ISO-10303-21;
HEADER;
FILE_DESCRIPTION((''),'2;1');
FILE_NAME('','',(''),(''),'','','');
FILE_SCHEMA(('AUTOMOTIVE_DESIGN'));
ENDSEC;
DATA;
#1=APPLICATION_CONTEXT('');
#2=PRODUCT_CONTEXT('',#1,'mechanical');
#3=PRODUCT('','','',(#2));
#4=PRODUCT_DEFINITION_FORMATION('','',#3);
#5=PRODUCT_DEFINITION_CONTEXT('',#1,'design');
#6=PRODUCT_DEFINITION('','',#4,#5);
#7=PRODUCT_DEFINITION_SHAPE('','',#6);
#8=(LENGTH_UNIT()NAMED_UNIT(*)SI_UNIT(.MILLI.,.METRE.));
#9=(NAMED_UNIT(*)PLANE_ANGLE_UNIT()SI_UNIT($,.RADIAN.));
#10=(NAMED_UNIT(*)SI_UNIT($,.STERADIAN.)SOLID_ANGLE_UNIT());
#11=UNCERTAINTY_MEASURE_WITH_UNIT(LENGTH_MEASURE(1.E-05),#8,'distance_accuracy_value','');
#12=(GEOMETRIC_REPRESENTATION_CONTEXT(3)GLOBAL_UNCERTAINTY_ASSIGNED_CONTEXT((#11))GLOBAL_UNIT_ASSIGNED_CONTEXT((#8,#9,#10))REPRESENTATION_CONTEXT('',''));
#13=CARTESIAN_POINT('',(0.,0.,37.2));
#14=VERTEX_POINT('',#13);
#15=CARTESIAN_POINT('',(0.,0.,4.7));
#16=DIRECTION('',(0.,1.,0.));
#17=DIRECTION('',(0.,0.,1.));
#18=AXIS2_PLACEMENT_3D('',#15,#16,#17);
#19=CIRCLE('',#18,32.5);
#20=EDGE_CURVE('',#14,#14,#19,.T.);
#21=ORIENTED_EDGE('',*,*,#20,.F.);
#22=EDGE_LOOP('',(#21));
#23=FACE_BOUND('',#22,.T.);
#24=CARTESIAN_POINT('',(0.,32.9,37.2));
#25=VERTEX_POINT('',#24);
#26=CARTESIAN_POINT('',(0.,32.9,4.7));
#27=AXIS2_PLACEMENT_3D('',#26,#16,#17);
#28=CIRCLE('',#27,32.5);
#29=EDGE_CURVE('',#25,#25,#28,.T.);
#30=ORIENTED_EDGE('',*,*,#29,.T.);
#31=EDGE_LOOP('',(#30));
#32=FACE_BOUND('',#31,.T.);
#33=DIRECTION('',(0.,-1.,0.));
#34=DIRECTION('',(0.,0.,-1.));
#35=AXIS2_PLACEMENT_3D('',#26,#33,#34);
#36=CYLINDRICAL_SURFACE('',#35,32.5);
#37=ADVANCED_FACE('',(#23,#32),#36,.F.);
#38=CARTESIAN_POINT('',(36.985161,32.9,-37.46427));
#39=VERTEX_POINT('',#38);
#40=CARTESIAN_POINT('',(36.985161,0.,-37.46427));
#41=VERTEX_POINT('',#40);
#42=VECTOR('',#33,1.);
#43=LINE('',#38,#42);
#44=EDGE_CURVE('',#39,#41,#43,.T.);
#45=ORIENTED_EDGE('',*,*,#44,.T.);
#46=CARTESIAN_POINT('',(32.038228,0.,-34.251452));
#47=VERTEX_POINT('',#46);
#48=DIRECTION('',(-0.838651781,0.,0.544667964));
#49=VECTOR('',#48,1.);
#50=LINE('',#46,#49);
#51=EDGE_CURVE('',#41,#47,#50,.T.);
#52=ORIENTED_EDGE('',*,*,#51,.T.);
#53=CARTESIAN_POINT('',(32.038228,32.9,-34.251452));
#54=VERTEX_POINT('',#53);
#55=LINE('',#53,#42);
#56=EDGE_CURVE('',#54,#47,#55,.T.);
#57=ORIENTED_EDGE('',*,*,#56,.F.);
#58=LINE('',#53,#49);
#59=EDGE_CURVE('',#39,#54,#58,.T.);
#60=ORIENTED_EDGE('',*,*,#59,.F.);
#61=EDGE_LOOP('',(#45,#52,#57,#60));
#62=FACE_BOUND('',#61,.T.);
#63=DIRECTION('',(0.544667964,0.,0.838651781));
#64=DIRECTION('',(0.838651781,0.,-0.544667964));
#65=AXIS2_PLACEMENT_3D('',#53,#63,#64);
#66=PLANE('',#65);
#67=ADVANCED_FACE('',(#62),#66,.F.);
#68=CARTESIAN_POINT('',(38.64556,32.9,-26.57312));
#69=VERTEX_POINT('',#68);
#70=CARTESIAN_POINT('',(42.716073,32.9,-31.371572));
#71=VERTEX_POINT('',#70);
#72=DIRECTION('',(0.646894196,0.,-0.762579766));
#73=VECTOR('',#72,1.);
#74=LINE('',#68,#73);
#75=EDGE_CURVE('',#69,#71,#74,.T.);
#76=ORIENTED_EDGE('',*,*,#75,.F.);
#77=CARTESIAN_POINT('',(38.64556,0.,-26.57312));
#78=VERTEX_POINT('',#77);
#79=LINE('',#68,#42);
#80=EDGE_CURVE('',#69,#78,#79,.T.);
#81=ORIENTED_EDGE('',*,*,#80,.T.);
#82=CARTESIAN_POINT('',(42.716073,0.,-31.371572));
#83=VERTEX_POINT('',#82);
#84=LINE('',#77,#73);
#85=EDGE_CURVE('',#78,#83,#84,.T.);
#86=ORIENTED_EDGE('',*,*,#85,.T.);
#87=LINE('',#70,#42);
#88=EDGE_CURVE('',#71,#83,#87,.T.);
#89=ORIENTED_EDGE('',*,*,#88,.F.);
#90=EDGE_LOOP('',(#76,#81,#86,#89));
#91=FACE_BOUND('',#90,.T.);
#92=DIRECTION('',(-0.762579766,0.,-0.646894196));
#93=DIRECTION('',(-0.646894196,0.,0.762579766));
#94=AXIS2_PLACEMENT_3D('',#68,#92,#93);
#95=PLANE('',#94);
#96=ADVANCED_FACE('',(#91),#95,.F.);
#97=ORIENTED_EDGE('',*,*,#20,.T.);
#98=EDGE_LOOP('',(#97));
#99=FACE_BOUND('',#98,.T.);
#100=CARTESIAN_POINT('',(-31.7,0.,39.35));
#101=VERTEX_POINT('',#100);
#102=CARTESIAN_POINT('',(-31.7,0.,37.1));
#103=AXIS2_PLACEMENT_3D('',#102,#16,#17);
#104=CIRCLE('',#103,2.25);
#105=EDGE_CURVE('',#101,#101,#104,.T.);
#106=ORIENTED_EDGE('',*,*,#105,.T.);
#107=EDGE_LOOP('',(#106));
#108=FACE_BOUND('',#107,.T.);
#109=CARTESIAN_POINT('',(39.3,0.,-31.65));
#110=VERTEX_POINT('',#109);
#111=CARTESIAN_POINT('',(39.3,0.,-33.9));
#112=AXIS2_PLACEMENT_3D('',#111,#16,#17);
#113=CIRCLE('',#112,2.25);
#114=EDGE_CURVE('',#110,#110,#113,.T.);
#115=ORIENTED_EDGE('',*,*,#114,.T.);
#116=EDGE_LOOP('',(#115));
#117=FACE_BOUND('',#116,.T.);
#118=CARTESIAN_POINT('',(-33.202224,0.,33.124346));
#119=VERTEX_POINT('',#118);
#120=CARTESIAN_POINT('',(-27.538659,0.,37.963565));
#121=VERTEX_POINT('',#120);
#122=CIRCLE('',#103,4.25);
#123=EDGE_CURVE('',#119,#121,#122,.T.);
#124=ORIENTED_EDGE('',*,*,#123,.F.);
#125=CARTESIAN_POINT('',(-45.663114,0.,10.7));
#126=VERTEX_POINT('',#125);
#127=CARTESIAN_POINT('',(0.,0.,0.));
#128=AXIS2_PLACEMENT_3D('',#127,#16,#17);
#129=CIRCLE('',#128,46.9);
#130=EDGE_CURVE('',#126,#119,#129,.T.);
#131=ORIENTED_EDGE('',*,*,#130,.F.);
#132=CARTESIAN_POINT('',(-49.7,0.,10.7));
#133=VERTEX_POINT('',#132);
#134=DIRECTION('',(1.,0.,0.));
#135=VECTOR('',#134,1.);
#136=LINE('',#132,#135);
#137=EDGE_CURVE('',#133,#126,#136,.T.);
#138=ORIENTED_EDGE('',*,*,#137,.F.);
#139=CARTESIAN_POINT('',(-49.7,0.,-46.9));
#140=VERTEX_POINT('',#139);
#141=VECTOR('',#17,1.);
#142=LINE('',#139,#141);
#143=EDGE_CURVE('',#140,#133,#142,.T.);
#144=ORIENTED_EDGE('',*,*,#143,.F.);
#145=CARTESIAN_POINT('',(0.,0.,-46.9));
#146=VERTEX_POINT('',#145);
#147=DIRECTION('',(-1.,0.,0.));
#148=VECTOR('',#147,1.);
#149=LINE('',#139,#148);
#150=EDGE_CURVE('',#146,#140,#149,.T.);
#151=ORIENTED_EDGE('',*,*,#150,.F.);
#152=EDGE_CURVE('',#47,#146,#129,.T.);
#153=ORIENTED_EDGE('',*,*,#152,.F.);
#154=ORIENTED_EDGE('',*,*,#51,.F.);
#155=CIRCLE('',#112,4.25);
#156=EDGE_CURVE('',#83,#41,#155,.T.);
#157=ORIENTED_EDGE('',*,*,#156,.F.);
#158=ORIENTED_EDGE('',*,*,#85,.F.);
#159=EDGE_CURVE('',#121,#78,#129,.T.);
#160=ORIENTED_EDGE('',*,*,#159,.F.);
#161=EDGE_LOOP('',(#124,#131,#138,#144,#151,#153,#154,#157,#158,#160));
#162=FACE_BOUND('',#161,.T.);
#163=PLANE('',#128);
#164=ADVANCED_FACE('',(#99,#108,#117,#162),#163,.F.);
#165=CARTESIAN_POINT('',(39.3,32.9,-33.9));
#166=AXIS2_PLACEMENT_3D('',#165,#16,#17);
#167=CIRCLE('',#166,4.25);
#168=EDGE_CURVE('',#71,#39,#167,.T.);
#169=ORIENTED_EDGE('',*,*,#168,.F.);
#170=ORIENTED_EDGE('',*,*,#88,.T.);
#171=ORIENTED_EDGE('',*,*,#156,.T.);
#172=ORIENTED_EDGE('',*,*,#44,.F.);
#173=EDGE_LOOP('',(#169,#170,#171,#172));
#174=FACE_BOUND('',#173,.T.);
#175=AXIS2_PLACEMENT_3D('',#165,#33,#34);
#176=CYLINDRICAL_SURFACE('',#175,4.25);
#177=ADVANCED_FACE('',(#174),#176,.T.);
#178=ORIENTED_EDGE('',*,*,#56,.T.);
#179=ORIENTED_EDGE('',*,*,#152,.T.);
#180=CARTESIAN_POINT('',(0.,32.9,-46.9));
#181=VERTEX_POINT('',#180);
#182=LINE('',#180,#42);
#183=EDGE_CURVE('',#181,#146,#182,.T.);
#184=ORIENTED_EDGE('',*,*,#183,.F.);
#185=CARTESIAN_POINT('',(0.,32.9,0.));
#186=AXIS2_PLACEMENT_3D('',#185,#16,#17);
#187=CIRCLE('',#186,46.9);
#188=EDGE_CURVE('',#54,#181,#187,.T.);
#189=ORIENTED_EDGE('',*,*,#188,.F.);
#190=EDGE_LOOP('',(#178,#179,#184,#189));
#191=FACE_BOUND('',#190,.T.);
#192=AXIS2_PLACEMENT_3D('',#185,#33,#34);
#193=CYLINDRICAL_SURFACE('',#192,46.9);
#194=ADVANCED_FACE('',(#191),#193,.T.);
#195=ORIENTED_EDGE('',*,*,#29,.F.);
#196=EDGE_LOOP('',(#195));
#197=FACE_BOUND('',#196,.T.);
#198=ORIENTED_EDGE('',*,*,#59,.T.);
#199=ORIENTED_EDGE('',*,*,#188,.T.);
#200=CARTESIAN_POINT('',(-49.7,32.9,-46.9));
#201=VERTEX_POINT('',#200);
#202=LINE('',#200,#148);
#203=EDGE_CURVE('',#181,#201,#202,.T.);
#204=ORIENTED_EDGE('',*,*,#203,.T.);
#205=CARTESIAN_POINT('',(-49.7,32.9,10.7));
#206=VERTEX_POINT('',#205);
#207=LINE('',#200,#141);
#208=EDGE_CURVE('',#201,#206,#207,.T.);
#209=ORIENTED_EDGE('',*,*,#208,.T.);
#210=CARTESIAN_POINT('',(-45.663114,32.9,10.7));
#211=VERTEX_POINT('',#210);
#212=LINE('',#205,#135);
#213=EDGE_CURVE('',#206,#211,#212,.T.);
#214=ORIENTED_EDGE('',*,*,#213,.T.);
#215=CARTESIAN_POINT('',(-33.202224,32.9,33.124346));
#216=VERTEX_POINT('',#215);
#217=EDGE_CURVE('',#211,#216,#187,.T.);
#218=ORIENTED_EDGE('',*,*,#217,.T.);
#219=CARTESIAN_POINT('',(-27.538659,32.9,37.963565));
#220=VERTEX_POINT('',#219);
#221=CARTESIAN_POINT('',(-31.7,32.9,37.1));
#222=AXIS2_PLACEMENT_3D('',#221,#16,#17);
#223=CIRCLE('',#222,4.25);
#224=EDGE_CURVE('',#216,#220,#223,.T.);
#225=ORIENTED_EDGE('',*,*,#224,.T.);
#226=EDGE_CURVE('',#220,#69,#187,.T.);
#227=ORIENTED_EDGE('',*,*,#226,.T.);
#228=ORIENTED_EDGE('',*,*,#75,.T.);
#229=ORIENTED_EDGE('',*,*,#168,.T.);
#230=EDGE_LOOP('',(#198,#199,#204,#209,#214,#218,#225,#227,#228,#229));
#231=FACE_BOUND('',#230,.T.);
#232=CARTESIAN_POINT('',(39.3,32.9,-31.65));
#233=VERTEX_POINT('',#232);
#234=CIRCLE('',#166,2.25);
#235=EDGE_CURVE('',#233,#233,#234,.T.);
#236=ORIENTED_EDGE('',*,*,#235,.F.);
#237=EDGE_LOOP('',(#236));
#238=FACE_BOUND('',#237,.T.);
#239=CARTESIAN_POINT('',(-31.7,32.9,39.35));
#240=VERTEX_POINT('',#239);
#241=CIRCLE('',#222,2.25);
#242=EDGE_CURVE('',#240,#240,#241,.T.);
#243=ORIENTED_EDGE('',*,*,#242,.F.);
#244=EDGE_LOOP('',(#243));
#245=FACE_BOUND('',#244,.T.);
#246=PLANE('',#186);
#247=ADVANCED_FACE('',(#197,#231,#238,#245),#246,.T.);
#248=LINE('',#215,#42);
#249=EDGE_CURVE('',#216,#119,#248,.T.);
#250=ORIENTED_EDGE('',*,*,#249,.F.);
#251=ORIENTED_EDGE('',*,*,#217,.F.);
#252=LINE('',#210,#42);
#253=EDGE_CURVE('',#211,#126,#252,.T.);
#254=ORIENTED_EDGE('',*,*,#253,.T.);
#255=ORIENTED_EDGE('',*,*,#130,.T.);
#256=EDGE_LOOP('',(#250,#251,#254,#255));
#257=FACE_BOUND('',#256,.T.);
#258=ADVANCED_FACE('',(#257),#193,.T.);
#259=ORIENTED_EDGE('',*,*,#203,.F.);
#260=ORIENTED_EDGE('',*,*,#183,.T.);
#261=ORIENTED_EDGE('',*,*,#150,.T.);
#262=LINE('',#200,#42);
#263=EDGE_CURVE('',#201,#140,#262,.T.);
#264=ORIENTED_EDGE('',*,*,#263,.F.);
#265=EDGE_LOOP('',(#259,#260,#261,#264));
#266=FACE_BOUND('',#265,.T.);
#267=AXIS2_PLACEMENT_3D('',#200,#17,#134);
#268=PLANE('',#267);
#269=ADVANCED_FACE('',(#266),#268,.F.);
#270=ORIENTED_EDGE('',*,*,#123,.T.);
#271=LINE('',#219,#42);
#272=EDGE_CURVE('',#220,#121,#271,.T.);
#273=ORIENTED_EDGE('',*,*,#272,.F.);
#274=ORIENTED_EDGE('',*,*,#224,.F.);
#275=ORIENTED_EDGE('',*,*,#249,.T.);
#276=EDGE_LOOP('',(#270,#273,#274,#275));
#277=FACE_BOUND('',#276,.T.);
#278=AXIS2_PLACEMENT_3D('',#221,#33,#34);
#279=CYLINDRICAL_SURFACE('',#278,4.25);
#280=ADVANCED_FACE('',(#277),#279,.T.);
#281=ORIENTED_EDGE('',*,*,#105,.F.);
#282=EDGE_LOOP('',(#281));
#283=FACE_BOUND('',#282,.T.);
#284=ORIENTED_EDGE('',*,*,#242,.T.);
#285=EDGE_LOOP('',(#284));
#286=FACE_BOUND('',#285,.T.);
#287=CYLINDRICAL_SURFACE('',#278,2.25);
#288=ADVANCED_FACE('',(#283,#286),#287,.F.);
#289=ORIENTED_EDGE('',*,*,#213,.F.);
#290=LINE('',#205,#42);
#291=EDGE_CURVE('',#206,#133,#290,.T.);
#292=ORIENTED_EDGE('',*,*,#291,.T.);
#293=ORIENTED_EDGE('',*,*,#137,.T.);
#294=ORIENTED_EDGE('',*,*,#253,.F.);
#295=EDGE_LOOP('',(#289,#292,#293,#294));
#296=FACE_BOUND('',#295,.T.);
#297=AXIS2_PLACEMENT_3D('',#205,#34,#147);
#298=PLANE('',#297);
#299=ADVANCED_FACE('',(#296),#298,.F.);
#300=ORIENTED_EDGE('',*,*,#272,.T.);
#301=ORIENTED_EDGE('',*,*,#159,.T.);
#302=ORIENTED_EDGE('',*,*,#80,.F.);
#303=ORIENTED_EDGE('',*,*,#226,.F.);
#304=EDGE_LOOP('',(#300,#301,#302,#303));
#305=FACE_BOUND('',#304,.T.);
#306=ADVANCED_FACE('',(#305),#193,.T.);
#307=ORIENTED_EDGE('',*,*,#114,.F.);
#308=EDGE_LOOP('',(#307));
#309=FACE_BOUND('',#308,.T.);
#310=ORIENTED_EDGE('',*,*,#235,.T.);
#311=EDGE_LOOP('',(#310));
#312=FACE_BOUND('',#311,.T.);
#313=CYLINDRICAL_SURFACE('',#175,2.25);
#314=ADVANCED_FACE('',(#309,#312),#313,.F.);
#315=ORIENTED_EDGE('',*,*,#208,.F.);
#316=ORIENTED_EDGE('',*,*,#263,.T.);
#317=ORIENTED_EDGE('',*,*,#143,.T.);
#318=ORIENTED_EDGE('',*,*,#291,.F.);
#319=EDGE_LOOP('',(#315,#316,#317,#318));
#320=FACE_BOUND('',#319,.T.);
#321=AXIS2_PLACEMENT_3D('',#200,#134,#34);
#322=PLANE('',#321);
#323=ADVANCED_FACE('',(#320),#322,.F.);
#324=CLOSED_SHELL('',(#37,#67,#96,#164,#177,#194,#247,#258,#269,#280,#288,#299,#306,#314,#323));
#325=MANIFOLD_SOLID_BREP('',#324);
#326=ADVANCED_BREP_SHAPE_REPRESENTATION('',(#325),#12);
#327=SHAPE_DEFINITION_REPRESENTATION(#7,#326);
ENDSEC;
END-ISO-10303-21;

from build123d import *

# Parameters (mm, degrees)
SKETCH_1_R      = 2.25
SKETCH_1_R_2    = 32.5
EXTRUDE_1_DEPTH = 32.9


with BuildPart() as part:
    # 草图1 → 凸台-拉伸1 (new body)
    with BuildSketch(Plane(origin=(0, 0, 0), x_dir=(1, 0, 0), z_dir=(0, 1, 0))):
        with BuildLine():
            Line((32.038228151, 34.251451604), (36.985161154, 37.464270068))
            ThreePointArc((36.985161154, 37.464270068), (42.395709987, 36.811885931), (42.716072869, 31.371572396))
            Line((42.716072869, 31.371572396), (38.645559751, 26.573120094))
            ThreePointArc((38.645559751, 26.573120094), (32.742735514, -33.578613299), (-27.538659341, -37.96356466))
            ThreePointArc((-27.538659341, -37.96356466), (-34.46083935, -40.331140059), (-33.202224105, -33.12434625))
            ThreePointArc((-33.202224105, -33.12434625), (-40.995709816, -22.780732575), (-45.663114217, -10.7))
            Line((-45.663114217, -10.7), (-49.7, -10.7))
            Line((-49.7, -10.7), (-49.7, 46.9))
            Line((-49.7, 46.9), (0, 46.9))
            ThreePointArc((0, 46.9), (17.222324463, 43.623405875), (32.038228151, 34.251451604))
        make_face()
        with Locations(Location((-31.7, -37.1, 0), (0, 0, 270))):
            Circle(SKETCH_1_R, mode=Mode.SUBTRACT)
        with Locations(Location((39.3, 33.9, 0), (0, 0, 270))):
            Circle(SKETCH_1_R, mode=Mode.SUBTRACT)
        with Locations(Location((0, -4.7, 0), (0, 0, 270))):
            Circle(SKETCH_1_R_2, mode=Mode.SUBTRACT)
    extrude(amount=EXTRUDE_1_DEPTH)


solid = part.part
